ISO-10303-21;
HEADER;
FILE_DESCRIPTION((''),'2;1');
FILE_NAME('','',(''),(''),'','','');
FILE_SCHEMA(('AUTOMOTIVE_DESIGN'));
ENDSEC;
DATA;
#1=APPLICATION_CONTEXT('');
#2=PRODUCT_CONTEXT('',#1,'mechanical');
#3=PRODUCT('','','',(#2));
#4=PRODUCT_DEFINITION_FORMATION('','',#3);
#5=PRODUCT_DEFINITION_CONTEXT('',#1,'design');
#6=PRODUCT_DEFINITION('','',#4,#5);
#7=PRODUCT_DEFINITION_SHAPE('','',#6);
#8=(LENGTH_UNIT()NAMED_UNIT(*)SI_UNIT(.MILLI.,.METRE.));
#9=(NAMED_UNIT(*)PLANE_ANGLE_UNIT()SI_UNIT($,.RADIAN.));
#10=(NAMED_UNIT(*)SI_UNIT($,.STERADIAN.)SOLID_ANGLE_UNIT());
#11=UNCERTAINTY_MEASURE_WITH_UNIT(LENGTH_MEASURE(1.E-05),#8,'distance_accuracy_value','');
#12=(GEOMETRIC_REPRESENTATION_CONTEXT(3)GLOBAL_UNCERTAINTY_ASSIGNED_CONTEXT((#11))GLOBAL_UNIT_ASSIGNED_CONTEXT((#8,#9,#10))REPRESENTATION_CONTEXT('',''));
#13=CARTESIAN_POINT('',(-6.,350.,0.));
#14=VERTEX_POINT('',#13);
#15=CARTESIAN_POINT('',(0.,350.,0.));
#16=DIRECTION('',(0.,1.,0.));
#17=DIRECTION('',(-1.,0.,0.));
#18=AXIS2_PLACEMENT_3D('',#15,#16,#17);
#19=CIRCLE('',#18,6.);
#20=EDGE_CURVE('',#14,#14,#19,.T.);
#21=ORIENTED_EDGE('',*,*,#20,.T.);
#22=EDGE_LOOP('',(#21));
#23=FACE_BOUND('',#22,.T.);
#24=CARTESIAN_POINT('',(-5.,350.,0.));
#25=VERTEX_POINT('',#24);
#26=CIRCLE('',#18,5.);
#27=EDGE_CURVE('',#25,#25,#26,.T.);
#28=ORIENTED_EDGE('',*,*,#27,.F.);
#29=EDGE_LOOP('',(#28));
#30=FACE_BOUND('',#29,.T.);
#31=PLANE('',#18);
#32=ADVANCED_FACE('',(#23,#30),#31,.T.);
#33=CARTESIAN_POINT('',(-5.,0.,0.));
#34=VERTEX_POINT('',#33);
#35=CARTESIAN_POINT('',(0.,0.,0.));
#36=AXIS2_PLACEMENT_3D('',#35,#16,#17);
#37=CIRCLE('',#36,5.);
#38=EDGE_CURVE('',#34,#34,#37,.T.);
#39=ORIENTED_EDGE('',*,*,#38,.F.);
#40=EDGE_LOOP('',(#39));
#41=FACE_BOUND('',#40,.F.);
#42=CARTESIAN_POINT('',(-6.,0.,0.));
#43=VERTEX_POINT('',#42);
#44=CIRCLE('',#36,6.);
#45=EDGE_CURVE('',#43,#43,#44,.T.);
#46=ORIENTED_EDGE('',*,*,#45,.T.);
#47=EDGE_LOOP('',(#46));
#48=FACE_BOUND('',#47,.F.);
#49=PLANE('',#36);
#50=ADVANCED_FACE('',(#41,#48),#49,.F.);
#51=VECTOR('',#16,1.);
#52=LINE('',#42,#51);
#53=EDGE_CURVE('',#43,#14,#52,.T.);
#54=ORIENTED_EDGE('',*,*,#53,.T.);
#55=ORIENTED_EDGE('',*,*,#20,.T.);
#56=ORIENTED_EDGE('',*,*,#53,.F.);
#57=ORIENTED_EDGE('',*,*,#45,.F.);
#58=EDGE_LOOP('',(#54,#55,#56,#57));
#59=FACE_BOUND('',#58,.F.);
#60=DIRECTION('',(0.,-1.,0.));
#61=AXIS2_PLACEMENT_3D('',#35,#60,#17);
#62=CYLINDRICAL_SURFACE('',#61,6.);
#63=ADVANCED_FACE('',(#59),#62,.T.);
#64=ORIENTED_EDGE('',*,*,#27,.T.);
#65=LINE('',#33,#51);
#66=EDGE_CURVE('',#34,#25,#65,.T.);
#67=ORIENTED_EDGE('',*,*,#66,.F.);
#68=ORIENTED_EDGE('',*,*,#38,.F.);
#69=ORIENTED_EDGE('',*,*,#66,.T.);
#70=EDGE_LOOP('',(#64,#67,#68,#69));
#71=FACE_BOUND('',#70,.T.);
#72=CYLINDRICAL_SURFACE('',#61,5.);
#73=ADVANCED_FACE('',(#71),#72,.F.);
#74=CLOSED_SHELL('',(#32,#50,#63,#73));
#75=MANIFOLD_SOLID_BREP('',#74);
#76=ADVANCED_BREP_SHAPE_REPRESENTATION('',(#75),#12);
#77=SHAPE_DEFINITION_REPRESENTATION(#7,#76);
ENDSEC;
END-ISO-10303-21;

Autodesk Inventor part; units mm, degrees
ref_plane "XZ Plane" through (0, 0, 0) normal (0, 1, 0) x (-1, 0, 0)
sketch "Sketch2" plane through (0, 0, 0) normal (0, 1, 0) x (-1, 0, 0)
  circle A0 centre (0, 0) radius 5
  circle A1 centre (0, 0) radius 6
  dimension "d6" = 10
  dimension "d7" = 12
extrude "Extrusion2" add sketch "Sketch2" along normal blind 350
properties part number "Wing_arm_3"
